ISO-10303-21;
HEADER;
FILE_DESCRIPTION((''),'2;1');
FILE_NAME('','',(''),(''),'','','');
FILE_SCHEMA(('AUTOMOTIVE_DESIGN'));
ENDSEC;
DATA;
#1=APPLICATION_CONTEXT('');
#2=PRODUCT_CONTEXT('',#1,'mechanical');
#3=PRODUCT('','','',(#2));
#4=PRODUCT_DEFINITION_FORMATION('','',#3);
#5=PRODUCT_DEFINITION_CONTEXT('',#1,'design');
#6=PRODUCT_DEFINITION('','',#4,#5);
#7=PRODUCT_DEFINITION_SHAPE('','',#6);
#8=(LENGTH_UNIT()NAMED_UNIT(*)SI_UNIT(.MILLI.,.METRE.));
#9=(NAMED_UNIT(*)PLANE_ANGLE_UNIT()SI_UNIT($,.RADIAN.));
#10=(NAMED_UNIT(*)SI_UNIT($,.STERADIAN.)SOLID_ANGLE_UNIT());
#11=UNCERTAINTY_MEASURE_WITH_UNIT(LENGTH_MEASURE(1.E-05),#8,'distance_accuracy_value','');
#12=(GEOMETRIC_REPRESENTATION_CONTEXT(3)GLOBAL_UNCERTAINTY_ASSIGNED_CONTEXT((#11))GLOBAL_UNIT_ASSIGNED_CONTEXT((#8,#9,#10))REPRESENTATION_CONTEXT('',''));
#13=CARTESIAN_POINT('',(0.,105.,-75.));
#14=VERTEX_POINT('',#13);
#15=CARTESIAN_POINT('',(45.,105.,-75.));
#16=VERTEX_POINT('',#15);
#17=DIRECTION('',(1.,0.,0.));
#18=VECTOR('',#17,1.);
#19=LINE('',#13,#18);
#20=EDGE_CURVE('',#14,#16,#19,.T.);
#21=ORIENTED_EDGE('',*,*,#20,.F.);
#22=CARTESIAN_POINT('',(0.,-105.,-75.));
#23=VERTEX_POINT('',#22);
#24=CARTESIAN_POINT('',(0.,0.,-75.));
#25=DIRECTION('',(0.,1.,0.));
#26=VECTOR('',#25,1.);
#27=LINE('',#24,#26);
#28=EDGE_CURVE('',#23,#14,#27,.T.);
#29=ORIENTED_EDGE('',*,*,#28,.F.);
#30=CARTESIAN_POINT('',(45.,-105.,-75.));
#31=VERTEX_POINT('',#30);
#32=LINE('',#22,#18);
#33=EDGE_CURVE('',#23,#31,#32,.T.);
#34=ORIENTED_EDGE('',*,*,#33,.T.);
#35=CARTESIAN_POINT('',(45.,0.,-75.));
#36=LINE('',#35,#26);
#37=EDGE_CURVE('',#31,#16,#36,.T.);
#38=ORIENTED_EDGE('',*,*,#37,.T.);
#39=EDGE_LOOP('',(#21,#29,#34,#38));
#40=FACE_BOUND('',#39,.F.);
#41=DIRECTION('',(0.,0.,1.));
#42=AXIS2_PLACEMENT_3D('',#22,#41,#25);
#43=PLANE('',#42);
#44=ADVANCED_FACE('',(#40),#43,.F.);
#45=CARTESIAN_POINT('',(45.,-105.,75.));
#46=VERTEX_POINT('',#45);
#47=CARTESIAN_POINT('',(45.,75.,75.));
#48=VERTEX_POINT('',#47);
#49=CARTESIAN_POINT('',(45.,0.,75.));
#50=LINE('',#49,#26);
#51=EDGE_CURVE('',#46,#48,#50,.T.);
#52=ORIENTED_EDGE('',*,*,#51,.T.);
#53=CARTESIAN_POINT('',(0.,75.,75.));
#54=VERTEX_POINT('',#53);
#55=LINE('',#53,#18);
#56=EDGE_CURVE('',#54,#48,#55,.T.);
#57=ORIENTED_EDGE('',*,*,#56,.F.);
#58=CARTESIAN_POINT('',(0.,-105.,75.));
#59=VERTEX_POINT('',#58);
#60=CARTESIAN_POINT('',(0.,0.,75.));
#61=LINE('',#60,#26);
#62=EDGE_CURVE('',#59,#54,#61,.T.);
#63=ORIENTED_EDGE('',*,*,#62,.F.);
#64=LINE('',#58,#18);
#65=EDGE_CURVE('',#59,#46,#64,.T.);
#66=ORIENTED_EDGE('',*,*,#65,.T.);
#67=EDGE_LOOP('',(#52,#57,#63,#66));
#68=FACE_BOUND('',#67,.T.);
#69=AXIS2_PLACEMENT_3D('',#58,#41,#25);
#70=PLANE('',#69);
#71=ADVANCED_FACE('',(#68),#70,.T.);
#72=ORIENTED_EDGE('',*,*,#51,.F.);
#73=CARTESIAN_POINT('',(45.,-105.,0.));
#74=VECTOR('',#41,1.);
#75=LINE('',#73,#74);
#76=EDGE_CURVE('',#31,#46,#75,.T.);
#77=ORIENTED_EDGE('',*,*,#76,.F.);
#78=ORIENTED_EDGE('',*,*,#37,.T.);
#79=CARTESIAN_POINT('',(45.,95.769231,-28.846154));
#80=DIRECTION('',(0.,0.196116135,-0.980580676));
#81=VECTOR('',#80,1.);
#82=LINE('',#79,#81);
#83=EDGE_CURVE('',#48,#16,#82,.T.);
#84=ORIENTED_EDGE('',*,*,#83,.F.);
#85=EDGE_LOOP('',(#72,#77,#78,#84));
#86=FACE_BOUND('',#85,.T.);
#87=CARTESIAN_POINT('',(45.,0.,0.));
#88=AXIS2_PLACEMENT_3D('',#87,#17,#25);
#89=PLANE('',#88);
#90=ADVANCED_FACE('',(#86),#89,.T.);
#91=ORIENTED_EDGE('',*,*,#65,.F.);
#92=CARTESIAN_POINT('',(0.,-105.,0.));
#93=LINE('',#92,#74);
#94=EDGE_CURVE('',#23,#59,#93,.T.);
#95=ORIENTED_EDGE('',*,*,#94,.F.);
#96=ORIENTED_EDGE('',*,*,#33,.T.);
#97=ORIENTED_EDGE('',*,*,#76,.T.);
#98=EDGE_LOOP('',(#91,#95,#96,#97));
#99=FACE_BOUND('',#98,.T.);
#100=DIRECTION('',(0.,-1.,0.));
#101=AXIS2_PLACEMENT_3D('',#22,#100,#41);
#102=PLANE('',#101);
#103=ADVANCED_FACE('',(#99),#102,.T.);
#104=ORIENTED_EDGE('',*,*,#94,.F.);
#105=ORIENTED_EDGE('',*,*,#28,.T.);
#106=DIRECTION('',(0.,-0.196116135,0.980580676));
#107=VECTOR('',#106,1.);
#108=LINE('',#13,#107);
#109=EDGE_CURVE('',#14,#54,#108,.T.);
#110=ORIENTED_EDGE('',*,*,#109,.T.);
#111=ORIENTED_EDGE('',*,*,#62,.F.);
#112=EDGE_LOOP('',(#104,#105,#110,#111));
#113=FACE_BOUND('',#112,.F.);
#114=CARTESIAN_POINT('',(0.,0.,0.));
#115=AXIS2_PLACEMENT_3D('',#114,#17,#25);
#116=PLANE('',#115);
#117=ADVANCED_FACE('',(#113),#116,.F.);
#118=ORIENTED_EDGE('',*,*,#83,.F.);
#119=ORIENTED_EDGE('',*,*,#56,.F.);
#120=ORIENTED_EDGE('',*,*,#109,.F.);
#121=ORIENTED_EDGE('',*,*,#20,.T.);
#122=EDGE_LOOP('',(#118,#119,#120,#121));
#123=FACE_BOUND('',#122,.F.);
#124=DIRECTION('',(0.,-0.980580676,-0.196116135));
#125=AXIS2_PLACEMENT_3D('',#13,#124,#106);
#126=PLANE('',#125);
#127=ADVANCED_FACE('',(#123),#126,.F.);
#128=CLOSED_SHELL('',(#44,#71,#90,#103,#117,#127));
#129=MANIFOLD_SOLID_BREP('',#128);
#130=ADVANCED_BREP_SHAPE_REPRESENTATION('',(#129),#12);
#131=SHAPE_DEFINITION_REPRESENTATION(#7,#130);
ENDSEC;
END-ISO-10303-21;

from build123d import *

# Parameters (mm, degrees)
F0_W     = 210
F0_H     = 150
F1_DEPTH = 45
F3_DEPTH = 83.7


with BuildPart() as f1:
    # F0 (on Right) → F1 (new body)
    with BuildSketch(Plane.YZ):
        Rectangle(F0_W, F0_H)
    extrude(amount=F1_DEPTH)

    # F2 (on face) → F3 (cut)
    with BuildSketch(Plane(origin=(0, 0, 0), x_dir=(0, -1, 0), z_dir=(-1, 0, 0))):
        Polygon((-105, -75), (-75, 75), (-105, 75), align=None)
    extrude(amount=-F3_DEPTH, mode=Mode.SUBTRACT)


solid = f1.part
